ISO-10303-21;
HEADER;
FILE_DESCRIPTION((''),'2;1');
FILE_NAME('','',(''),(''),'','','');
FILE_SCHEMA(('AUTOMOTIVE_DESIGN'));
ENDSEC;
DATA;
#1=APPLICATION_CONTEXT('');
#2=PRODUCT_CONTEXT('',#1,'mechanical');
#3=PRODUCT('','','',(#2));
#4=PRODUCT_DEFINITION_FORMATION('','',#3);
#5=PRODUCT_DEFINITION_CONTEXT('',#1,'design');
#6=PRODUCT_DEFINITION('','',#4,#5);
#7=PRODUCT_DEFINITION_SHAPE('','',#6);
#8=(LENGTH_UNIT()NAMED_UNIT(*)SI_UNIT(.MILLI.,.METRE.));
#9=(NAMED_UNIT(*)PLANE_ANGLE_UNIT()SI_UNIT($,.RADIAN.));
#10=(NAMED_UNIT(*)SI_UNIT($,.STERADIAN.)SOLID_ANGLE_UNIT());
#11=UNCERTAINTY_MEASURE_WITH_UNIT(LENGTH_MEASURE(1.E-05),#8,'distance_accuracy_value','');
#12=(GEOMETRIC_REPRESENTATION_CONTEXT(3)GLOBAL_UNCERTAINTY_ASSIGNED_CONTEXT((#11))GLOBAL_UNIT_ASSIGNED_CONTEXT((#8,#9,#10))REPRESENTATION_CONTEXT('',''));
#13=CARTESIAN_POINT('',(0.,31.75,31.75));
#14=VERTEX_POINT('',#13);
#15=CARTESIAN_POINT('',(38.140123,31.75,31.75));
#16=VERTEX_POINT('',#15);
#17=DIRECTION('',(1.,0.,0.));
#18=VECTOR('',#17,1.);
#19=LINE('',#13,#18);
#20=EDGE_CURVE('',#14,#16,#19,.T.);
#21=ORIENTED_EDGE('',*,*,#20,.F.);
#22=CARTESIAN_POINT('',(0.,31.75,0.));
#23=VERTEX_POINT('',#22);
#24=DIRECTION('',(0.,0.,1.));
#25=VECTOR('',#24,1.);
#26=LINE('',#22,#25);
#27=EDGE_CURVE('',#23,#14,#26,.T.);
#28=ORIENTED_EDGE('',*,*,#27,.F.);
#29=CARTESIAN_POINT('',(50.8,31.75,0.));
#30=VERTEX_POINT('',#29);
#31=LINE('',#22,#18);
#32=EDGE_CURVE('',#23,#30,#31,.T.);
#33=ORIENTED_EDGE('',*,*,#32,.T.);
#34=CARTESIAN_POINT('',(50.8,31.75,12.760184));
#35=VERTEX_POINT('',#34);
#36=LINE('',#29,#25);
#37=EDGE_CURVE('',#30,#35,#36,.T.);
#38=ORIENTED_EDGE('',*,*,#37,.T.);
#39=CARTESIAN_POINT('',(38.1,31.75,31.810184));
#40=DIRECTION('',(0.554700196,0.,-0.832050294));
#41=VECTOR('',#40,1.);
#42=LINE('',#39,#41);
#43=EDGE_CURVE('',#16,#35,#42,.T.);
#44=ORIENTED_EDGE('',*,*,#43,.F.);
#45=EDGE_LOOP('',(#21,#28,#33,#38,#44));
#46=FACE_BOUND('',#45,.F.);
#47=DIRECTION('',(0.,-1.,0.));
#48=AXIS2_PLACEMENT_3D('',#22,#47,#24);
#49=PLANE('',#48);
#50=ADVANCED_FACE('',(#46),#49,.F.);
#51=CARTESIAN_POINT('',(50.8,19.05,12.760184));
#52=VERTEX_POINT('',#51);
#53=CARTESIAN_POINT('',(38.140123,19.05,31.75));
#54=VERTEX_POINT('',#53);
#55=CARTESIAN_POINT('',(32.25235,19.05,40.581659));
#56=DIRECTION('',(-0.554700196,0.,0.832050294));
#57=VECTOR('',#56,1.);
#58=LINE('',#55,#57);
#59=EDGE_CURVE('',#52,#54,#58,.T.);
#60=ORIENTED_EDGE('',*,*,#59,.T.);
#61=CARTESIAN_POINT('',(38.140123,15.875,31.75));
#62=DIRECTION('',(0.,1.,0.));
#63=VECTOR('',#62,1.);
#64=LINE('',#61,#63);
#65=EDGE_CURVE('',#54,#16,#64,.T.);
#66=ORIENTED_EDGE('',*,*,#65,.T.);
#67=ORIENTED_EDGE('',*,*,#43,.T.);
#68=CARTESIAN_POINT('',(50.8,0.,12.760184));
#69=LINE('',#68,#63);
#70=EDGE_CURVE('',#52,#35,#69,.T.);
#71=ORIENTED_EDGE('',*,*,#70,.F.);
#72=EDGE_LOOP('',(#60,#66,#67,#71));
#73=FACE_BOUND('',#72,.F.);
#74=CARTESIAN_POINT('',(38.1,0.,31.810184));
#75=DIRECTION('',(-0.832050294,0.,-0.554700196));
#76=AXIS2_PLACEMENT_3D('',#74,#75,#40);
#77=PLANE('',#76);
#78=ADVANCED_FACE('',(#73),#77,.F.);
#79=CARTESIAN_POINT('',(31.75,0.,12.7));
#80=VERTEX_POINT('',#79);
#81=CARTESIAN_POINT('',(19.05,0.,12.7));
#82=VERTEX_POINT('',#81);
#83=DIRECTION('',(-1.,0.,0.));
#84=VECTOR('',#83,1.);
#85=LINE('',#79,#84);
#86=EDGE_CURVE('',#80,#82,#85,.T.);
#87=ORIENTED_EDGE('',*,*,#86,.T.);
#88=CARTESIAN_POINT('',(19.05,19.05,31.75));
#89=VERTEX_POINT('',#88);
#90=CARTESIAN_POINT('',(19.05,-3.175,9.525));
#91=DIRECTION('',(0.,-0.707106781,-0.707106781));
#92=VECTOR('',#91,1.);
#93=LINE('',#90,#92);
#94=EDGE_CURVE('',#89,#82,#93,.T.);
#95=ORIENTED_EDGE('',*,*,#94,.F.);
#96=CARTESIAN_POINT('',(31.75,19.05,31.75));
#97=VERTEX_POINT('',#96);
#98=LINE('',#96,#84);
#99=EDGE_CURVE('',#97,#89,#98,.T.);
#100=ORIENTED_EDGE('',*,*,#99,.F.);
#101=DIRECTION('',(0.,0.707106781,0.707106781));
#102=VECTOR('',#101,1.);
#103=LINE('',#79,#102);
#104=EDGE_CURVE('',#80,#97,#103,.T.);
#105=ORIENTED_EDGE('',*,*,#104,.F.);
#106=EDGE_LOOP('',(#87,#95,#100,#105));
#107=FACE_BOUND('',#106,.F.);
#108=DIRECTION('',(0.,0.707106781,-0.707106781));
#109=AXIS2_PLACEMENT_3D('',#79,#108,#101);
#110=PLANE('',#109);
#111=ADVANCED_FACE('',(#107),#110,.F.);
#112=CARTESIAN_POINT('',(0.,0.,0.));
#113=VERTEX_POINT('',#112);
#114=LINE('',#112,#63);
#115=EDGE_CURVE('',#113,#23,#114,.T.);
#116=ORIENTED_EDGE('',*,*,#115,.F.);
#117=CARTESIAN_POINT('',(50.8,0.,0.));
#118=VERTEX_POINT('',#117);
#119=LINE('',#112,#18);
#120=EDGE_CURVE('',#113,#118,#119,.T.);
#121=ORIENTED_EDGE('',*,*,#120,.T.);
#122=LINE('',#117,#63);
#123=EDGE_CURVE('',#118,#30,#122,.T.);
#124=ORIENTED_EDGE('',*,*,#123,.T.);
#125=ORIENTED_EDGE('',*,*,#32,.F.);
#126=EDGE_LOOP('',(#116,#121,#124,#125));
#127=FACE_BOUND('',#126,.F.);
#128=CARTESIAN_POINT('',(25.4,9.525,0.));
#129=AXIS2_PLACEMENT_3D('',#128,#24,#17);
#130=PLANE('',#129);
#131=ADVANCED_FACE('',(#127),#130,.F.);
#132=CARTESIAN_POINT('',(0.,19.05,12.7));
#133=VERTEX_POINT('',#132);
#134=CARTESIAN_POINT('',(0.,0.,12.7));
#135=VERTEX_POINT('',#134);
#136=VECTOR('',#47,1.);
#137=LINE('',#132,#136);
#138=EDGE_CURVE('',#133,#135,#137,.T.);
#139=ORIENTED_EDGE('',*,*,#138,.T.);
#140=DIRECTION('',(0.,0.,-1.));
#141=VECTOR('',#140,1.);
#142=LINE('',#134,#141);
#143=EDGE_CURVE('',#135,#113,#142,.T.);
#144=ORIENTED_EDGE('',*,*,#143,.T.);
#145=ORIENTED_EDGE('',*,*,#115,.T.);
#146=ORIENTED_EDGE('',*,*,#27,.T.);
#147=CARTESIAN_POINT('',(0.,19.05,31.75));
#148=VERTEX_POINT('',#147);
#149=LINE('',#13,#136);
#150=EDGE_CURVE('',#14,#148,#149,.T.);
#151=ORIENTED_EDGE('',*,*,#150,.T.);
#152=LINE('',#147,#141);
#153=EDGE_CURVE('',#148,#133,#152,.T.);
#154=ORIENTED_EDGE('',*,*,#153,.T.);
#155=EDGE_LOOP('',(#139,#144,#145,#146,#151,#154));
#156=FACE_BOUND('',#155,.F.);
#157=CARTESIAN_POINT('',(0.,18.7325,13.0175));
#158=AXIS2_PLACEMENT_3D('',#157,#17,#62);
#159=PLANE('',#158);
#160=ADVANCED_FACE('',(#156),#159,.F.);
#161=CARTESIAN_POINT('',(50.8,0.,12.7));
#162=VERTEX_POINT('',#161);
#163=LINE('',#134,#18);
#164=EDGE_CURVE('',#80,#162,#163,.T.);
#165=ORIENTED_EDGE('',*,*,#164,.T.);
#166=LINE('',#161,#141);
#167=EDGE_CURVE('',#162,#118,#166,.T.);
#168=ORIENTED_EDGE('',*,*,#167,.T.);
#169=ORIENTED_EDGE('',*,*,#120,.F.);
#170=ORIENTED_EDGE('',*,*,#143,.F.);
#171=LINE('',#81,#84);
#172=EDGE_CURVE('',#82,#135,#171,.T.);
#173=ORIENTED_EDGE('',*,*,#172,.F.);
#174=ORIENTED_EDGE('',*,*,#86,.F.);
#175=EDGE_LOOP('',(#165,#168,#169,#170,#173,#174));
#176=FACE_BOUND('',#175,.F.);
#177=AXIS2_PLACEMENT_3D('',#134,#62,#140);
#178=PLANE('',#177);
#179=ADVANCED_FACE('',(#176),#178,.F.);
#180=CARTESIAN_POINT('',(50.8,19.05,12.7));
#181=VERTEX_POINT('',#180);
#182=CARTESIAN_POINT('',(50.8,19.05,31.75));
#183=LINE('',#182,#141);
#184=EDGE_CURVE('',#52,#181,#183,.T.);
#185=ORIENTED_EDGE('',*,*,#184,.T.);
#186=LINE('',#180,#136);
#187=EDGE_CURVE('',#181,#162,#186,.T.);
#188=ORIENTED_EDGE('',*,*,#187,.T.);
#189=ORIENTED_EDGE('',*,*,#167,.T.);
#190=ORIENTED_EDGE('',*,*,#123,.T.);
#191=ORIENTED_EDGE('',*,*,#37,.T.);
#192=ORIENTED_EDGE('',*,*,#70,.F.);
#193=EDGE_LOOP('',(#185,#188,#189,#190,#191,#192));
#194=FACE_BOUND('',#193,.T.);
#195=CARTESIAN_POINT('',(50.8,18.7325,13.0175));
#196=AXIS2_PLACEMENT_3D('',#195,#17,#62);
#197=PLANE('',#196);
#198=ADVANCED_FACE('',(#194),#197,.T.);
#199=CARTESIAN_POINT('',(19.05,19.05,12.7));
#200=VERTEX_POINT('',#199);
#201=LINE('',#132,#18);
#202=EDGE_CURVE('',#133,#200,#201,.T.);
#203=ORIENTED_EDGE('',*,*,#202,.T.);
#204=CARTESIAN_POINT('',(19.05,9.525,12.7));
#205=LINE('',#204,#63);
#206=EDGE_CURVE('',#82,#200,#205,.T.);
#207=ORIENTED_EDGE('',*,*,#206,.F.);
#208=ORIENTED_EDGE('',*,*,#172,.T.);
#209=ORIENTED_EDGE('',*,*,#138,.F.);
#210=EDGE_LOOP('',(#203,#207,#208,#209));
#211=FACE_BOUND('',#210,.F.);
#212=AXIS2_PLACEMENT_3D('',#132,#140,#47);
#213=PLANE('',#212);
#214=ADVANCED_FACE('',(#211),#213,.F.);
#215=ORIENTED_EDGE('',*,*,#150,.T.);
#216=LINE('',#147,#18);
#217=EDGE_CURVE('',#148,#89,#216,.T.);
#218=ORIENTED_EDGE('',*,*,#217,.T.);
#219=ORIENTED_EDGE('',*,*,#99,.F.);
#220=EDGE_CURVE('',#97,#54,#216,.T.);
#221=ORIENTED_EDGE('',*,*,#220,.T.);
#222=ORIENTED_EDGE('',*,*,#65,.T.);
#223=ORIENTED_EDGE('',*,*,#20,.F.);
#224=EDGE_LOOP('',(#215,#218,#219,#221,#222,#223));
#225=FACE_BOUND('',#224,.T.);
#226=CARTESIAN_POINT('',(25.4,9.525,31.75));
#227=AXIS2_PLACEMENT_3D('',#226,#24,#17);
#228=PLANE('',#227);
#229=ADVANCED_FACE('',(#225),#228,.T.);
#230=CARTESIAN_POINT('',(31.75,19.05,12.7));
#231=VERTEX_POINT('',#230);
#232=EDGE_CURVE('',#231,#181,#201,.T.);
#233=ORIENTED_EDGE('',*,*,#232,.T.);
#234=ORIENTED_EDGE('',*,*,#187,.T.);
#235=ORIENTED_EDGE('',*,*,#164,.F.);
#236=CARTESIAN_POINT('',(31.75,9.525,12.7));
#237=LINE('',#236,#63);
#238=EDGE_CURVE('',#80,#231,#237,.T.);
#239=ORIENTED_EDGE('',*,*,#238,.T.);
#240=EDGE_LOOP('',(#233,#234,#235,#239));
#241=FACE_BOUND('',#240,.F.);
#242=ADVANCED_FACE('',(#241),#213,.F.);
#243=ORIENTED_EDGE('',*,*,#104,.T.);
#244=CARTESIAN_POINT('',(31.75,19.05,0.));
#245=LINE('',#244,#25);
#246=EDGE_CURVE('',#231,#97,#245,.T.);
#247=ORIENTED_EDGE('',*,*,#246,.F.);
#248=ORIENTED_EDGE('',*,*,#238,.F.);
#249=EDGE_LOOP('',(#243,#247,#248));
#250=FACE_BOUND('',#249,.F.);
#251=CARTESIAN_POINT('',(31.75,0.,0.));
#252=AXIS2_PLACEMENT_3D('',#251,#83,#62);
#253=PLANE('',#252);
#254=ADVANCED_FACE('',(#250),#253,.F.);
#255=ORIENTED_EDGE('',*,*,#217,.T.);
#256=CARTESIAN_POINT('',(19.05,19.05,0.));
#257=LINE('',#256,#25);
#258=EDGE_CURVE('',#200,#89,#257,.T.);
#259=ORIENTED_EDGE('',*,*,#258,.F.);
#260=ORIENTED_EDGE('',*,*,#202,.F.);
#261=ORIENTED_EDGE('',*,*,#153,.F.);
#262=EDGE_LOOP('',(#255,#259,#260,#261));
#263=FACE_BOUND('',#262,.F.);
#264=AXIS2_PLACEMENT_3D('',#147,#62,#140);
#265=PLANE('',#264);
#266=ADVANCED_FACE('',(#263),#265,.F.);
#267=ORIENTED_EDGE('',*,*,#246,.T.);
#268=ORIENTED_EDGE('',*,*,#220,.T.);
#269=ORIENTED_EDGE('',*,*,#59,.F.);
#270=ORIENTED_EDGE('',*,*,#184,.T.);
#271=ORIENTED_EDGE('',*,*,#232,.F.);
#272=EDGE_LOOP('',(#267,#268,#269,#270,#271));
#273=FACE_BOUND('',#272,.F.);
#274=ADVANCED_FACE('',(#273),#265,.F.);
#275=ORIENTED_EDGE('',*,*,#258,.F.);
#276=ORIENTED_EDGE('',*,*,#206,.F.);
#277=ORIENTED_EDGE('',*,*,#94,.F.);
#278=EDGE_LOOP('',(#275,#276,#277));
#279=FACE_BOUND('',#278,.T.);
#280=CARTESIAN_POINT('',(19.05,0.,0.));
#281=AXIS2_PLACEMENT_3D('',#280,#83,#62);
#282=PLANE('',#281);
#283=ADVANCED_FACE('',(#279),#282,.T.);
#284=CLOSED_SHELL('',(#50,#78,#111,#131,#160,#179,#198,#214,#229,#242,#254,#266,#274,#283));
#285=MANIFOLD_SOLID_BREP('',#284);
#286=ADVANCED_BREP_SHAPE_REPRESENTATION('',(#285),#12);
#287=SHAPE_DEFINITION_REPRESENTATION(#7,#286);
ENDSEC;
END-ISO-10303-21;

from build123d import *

# Parameters (mm, degrees)
F1_DEPTH = 50.8
F3_DEPTH = 31.75
F4_W     = 12.7
F4_H     = 19.05
F5_DEPTH = 31.75
F7_DEPTH = 25.4


with BuildPart() as f1:
    # F0 (on Right) → F1 (new body)
    with BuildSketch(Plane.YZ):
        Polygon((0, 12.7), (0, 0), (31.75, 0), (31.75, 31.75), (19.05, 31.75), (19.05, 12.7), align=None)
    extrude(amount=F1_DEPTH)

    # F2 (on Front) → F3 (cut)
    with BuildSketch(Plane.XZ):
        Polygon((50.8, 12.760184), (50.8, 31.810184), (38.1, 31.810184), align=None)
    extrude(amount=-F3_DEPTH, mode=Mode.SUBTRACT)

    # F4 (on Top) → F5 (join)
    with BuildSketch(Plane.XY):
        with Locations((25.4, 9.525)):
            Rectangle(F4_W, F4_H)
    extrude(amount=F5_DEPTH)

    # F6 (on face) → F7 (cut)
    with BuildSketch(Plane.YZ.offset(31.75)):
        Polygon((0, 12.7), (19.05, 31.75), (0, 31.75), align=None)
    extrude(amount=-F7_DEPTH, mode=Mode.SUBTRACT)


solid = f1.part
